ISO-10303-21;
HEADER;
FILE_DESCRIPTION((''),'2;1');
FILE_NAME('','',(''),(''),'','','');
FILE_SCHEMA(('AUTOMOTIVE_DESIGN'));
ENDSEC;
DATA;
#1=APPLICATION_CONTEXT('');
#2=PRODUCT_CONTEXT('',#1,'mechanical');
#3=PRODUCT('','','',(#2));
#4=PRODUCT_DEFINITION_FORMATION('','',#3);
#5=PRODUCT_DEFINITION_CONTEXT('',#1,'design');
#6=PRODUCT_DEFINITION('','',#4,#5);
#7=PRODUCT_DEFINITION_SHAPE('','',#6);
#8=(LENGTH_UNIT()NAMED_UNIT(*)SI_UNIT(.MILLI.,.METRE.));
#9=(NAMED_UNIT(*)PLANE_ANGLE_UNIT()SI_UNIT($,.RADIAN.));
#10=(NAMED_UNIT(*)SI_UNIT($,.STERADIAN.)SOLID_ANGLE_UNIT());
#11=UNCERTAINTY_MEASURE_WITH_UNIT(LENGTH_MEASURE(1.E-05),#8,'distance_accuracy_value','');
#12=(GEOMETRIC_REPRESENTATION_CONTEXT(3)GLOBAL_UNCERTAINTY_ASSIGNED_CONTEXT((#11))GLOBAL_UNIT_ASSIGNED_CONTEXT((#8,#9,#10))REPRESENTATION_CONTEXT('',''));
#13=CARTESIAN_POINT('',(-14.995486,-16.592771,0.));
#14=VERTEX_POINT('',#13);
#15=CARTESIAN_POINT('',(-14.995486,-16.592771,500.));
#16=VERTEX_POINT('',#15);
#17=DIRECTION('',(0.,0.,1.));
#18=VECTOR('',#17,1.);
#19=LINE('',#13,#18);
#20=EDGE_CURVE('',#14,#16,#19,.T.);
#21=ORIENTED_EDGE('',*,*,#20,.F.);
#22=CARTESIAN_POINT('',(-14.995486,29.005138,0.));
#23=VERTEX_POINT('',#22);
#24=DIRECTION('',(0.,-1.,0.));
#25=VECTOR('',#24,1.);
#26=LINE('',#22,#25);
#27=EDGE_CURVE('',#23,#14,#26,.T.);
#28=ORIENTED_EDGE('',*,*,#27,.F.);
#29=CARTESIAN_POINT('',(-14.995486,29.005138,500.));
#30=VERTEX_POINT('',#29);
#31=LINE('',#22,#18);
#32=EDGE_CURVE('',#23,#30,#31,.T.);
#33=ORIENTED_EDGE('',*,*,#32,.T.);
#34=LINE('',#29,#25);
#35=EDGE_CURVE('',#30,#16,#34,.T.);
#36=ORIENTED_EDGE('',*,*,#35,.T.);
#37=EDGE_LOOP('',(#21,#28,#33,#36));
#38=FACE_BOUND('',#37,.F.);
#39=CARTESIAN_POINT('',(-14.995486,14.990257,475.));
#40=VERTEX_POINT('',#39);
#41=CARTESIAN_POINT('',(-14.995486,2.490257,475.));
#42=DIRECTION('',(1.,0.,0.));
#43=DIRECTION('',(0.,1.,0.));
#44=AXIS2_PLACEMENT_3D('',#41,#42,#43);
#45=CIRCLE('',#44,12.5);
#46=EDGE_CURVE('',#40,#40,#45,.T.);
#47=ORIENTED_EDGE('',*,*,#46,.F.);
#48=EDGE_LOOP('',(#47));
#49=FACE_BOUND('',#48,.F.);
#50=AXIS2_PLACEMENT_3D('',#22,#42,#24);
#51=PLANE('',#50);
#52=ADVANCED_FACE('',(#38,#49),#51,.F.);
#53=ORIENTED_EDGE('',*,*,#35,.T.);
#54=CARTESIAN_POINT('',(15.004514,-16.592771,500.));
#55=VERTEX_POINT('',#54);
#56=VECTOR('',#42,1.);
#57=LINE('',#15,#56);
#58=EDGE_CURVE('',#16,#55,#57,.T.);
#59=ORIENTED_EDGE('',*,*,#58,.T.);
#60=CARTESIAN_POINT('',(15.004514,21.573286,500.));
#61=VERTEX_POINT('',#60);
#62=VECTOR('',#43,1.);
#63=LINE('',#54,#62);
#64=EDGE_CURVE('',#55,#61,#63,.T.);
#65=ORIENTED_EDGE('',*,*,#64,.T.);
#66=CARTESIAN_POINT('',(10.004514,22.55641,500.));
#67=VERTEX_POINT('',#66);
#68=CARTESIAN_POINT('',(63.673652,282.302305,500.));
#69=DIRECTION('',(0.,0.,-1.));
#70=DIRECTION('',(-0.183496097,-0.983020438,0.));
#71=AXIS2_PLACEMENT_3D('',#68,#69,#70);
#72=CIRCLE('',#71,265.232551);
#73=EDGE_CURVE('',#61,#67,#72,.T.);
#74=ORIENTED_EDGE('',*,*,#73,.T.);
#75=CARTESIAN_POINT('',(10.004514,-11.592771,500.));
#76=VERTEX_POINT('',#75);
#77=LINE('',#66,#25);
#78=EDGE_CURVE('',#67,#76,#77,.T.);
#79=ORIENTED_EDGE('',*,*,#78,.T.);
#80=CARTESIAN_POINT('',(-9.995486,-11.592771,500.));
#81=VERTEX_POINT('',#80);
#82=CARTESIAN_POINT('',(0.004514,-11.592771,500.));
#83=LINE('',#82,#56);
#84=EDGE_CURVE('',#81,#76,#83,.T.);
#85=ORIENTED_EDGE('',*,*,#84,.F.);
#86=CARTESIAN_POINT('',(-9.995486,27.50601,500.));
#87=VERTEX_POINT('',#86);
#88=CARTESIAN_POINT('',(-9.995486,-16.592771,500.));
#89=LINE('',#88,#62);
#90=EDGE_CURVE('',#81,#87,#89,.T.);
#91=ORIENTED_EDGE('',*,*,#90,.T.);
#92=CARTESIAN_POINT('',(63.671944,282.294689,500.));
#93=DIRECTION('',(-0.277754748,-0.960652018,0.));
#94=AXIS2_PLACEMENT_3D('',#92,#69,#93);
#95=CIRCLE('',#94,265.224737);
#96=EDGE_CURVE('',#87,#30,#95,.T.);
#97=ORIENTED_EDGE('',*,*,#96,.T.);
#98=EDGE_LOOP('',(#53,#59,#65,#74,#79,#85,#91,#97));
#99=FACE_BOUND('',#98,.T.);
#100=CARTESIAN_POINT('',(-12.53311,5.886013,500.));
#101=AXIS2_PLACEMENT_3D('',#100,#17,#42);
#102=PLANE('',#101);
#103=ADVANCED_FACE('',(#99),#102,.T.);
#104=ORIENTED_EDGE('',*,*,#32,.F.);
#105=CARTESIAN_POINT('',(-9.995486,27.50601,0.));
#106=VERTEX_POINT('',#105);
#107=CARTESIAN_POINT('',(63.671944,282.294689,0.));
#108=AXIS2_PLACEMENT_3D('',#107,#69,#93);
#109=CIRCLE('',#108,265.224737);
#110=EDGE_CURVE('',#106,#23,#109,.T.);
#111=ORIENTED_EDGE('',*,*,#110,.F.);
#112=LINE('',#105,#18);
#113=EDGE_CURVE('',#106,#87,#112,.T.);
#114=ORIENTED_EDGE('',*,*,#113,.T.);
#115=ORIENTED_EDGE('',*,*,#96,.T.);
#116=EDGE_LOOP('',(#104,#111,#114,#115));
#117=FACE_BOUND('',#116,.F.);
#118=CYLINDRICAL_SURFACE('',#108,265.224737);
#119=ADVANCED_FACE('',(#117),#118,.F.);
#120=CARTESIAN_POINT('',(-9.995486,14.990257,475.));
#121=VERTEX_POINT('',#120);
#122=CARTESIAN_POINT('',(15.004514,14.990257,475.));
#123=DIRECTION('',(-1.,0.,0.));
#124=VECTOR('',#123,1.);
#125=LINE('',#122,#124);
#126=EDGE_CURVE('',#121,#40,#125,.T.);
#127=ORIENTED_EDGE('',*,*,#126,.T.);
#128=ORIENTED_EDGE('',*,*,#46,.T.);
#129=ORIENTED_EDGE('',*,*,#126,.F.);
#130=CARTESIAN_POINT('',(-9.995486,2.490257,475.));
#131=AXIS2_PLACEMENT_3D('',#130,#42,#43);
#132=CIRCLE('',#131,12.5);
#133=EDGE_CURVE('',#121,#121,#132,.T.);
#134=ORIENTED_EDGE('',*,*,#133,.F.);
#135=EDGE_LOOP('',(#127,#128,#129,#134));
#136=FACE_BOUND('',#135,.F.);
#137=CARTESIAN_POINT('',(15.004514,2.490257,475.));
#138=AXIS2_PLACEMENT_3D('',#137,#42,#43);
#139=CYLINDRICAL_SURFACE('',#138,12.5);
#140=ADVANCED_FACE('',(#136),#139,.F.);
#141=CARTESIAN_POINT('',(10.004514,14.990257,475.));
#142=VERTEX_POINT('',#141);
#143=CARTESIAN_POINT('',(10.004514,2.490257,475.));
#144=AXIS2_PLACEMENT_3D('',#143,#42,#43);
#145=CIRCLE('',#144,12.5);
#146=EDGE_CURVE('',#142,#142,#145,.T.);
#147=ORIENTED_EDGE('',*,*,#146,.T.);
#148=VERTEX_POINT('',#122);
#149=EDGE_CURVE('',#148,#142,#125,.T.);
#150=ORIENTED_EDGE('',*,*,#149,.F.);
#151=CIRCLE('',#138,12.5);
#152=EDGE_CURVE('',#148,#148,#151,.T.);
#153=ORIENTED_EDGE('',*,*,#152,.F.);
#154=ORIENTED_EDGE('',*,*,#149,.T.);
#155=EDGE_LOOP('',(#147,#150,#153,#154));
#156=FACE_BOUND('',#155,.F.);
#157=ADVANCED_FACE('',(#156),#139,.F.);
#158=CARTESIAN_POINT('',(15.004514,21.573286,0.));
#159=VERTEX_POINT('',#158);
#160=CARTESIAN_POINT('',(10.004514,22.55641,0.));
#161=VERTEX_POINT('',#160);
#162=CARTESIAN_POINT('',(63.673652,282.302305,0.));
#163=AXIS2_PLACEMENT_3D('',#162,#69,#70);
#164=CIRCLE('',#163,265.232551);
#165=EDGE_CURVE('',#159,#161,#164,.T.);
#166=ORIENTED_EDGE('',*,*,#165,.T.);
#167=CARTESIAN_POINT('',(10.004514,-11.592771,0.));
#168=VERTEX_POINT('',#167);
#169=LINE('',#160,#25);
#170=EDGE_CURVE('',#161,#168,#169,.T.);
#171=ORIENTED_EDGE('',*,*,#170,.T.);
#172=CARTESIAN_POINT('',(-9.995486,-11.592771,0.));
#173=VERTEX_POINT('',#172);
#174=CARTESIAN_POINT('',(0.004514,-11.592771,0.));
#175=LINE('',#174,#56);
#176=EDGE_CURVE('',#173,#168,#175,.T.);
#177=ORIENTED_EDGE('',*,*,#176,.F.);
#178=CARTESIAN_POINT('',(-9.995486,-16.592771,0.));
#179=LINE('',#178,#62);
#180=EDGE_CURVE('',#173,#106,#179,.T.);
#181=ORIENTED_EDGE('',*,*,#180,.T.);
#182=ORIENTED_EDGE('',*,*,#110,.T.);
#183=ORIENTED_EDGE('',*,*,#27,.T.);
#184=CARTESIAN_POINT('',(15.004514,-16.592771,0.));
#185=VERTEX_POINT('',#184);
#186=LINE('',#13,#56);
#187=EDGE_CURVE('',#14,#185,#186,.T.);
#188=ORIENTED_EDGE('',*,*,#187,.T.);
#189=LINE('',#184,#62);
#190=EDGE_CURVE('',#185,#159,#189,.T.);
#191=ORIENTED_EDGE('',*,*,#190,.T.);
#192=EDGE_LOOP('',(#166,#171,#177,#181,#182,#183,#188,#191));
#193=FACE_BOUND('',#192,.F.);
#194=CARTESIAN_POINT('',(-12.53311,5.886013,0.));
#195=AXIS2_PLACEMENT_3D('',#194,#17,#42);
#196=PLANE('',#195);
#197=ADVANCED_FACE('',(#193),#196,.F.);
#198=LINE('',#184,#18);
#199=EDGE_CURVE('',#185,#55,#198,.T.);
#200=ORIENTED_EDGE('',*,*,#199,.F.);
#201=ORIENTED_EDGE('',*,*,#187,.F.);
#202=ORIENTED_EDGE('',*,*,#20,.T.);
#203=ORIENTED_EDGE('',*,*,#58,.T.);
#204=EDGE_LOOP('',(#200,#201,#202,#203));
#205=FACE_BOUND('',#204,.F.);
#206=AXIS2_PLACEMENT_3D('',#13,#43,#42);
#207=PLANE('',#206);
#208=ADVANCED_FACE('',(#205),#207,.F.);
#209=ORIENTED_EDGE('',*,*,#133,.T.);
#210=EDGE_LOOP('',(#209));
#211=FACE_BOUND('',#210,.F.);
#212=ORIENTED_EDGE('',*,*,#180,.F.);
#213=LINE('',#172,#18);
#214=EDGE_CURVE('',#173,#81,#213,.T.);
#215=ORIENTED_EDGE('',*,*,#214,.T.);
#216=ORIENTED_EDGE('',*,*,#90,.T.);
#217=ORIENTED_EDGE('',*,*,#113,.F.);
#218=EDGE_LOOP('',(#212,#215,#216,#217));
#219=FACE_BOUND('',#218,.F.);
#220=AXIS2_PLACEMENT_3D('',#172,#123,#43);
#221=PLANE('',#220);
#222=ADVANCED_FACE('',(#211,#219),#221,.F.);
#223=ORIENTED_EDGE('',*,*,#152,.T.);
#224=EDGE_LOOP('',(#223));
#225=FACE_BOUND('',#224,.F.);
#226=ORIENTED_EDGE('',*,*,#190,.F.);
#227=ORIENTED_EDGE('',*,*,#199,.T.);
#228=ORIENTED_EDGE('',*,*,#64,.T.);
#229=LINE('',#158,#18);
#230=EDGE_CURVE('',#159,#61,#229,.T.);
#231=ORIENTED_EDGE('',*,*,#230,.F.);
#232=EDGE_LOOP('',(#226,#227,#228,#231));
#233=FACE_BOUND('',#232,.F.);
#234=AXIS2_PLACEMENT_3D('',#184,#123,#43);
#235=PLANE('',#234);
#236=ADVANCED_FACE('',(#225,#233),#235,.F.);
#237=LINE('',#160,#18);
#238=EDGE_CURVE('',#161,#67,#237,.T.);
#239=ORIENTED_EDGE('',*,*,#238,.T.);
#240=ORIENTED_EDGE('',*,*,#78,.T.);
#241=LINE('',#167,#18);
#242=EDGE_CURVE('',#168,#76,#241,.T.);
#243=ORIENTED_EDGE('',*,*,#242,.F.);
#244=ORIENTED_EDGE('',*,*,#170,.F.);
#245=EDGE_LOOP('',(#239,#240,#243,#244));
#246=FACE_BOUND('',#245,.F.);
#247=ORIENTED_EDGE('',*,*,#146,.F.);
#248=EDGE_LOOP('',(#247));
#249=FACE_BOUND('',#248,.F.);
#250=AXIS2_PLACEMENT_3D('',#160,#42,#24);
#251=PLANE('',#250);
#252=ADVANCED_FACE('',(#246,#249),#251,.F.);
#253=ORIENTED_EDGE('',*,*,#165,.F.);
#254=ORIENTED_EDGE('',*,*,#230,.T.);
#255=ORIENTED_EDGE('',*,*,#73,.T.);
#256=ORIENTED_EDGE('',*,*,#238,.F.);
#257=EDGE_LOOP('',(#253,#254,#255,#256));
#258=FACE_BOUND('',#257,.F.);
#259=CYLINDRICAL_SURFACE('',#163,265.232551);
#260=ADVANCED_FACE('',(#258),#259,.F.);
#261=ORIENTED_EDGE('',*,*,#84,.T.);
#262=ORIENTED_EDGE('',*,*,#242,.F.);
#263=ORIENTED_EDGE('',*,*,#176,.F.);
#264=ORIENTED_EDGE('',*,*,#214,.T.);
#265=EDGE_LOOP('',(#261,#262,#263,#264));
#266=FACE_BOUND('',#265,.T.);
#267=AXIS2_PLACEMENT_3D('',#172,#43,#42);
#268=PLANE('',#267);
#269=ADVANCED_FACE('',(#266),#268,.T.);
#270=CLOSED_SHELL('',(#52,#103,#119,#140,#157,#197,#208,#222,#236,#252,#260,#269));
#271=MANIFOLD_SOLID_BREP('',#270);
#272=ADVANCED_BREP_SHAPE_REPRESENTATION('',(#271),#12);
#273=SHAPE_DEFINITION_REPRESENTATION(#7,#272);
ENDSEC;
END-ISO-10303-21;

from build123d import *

# Parameters (mm, degrees)
F0_W     = 20
F0_H     = 5
F1_DEPTH = 500
F2_R     = 12.5
F3_DEPTH = 50


with BuildPart() as f1:
    # F0 (on Top) → F1 (new body)
    with BuildSketch(Plane.XY):
        with BuildLine():
            Line((-9.995486, -11.592771), (-9.995486, 27.50601))
            ThreePointArc((-9.995486, 27.50601), (-12.499174, 28.243273), (-14.995486, 29.005138))
            Line((-14.995486, 29.005138), (-14.995486, -16.592771))
            Line((-14.995486, -16.592771), (-9.995486, -16.592771))
            Line((-9.995486, -16.592771), (-9.995486, -11.592771))
        make_face()
        with Locations((0.004514, -14.092771)):
            Rectangle(F0_W, F0_H)
        with BuildLine():
            Line((15.004514, -16.592771), (15.004514, 21.573286))
            ThreePointArc((15.004514, 21.573286), (12.502153, 22.05284), (10.004514, 22.55641))
            Line((10.004514, 22.55641), (10.004514, -11.592771))
            Line((10.004514, -11.592771), (10.004514, -16.592771))
            Line((10.004514, -16.592771), (15.004514, -16.592771))
        make_face()
    extrude(amount=F1_DEPTH)

    # F2 (on face) → F3 (cut)
    with BuildSketch(Plane.YZ.offset(15.004514)):
        with Locations((2.490257, 475)):
            Circle(F2_R)
    extrude(amount=-F3_DEPTH, mode=Mode.SUBTRACT)


solid = f1.part
